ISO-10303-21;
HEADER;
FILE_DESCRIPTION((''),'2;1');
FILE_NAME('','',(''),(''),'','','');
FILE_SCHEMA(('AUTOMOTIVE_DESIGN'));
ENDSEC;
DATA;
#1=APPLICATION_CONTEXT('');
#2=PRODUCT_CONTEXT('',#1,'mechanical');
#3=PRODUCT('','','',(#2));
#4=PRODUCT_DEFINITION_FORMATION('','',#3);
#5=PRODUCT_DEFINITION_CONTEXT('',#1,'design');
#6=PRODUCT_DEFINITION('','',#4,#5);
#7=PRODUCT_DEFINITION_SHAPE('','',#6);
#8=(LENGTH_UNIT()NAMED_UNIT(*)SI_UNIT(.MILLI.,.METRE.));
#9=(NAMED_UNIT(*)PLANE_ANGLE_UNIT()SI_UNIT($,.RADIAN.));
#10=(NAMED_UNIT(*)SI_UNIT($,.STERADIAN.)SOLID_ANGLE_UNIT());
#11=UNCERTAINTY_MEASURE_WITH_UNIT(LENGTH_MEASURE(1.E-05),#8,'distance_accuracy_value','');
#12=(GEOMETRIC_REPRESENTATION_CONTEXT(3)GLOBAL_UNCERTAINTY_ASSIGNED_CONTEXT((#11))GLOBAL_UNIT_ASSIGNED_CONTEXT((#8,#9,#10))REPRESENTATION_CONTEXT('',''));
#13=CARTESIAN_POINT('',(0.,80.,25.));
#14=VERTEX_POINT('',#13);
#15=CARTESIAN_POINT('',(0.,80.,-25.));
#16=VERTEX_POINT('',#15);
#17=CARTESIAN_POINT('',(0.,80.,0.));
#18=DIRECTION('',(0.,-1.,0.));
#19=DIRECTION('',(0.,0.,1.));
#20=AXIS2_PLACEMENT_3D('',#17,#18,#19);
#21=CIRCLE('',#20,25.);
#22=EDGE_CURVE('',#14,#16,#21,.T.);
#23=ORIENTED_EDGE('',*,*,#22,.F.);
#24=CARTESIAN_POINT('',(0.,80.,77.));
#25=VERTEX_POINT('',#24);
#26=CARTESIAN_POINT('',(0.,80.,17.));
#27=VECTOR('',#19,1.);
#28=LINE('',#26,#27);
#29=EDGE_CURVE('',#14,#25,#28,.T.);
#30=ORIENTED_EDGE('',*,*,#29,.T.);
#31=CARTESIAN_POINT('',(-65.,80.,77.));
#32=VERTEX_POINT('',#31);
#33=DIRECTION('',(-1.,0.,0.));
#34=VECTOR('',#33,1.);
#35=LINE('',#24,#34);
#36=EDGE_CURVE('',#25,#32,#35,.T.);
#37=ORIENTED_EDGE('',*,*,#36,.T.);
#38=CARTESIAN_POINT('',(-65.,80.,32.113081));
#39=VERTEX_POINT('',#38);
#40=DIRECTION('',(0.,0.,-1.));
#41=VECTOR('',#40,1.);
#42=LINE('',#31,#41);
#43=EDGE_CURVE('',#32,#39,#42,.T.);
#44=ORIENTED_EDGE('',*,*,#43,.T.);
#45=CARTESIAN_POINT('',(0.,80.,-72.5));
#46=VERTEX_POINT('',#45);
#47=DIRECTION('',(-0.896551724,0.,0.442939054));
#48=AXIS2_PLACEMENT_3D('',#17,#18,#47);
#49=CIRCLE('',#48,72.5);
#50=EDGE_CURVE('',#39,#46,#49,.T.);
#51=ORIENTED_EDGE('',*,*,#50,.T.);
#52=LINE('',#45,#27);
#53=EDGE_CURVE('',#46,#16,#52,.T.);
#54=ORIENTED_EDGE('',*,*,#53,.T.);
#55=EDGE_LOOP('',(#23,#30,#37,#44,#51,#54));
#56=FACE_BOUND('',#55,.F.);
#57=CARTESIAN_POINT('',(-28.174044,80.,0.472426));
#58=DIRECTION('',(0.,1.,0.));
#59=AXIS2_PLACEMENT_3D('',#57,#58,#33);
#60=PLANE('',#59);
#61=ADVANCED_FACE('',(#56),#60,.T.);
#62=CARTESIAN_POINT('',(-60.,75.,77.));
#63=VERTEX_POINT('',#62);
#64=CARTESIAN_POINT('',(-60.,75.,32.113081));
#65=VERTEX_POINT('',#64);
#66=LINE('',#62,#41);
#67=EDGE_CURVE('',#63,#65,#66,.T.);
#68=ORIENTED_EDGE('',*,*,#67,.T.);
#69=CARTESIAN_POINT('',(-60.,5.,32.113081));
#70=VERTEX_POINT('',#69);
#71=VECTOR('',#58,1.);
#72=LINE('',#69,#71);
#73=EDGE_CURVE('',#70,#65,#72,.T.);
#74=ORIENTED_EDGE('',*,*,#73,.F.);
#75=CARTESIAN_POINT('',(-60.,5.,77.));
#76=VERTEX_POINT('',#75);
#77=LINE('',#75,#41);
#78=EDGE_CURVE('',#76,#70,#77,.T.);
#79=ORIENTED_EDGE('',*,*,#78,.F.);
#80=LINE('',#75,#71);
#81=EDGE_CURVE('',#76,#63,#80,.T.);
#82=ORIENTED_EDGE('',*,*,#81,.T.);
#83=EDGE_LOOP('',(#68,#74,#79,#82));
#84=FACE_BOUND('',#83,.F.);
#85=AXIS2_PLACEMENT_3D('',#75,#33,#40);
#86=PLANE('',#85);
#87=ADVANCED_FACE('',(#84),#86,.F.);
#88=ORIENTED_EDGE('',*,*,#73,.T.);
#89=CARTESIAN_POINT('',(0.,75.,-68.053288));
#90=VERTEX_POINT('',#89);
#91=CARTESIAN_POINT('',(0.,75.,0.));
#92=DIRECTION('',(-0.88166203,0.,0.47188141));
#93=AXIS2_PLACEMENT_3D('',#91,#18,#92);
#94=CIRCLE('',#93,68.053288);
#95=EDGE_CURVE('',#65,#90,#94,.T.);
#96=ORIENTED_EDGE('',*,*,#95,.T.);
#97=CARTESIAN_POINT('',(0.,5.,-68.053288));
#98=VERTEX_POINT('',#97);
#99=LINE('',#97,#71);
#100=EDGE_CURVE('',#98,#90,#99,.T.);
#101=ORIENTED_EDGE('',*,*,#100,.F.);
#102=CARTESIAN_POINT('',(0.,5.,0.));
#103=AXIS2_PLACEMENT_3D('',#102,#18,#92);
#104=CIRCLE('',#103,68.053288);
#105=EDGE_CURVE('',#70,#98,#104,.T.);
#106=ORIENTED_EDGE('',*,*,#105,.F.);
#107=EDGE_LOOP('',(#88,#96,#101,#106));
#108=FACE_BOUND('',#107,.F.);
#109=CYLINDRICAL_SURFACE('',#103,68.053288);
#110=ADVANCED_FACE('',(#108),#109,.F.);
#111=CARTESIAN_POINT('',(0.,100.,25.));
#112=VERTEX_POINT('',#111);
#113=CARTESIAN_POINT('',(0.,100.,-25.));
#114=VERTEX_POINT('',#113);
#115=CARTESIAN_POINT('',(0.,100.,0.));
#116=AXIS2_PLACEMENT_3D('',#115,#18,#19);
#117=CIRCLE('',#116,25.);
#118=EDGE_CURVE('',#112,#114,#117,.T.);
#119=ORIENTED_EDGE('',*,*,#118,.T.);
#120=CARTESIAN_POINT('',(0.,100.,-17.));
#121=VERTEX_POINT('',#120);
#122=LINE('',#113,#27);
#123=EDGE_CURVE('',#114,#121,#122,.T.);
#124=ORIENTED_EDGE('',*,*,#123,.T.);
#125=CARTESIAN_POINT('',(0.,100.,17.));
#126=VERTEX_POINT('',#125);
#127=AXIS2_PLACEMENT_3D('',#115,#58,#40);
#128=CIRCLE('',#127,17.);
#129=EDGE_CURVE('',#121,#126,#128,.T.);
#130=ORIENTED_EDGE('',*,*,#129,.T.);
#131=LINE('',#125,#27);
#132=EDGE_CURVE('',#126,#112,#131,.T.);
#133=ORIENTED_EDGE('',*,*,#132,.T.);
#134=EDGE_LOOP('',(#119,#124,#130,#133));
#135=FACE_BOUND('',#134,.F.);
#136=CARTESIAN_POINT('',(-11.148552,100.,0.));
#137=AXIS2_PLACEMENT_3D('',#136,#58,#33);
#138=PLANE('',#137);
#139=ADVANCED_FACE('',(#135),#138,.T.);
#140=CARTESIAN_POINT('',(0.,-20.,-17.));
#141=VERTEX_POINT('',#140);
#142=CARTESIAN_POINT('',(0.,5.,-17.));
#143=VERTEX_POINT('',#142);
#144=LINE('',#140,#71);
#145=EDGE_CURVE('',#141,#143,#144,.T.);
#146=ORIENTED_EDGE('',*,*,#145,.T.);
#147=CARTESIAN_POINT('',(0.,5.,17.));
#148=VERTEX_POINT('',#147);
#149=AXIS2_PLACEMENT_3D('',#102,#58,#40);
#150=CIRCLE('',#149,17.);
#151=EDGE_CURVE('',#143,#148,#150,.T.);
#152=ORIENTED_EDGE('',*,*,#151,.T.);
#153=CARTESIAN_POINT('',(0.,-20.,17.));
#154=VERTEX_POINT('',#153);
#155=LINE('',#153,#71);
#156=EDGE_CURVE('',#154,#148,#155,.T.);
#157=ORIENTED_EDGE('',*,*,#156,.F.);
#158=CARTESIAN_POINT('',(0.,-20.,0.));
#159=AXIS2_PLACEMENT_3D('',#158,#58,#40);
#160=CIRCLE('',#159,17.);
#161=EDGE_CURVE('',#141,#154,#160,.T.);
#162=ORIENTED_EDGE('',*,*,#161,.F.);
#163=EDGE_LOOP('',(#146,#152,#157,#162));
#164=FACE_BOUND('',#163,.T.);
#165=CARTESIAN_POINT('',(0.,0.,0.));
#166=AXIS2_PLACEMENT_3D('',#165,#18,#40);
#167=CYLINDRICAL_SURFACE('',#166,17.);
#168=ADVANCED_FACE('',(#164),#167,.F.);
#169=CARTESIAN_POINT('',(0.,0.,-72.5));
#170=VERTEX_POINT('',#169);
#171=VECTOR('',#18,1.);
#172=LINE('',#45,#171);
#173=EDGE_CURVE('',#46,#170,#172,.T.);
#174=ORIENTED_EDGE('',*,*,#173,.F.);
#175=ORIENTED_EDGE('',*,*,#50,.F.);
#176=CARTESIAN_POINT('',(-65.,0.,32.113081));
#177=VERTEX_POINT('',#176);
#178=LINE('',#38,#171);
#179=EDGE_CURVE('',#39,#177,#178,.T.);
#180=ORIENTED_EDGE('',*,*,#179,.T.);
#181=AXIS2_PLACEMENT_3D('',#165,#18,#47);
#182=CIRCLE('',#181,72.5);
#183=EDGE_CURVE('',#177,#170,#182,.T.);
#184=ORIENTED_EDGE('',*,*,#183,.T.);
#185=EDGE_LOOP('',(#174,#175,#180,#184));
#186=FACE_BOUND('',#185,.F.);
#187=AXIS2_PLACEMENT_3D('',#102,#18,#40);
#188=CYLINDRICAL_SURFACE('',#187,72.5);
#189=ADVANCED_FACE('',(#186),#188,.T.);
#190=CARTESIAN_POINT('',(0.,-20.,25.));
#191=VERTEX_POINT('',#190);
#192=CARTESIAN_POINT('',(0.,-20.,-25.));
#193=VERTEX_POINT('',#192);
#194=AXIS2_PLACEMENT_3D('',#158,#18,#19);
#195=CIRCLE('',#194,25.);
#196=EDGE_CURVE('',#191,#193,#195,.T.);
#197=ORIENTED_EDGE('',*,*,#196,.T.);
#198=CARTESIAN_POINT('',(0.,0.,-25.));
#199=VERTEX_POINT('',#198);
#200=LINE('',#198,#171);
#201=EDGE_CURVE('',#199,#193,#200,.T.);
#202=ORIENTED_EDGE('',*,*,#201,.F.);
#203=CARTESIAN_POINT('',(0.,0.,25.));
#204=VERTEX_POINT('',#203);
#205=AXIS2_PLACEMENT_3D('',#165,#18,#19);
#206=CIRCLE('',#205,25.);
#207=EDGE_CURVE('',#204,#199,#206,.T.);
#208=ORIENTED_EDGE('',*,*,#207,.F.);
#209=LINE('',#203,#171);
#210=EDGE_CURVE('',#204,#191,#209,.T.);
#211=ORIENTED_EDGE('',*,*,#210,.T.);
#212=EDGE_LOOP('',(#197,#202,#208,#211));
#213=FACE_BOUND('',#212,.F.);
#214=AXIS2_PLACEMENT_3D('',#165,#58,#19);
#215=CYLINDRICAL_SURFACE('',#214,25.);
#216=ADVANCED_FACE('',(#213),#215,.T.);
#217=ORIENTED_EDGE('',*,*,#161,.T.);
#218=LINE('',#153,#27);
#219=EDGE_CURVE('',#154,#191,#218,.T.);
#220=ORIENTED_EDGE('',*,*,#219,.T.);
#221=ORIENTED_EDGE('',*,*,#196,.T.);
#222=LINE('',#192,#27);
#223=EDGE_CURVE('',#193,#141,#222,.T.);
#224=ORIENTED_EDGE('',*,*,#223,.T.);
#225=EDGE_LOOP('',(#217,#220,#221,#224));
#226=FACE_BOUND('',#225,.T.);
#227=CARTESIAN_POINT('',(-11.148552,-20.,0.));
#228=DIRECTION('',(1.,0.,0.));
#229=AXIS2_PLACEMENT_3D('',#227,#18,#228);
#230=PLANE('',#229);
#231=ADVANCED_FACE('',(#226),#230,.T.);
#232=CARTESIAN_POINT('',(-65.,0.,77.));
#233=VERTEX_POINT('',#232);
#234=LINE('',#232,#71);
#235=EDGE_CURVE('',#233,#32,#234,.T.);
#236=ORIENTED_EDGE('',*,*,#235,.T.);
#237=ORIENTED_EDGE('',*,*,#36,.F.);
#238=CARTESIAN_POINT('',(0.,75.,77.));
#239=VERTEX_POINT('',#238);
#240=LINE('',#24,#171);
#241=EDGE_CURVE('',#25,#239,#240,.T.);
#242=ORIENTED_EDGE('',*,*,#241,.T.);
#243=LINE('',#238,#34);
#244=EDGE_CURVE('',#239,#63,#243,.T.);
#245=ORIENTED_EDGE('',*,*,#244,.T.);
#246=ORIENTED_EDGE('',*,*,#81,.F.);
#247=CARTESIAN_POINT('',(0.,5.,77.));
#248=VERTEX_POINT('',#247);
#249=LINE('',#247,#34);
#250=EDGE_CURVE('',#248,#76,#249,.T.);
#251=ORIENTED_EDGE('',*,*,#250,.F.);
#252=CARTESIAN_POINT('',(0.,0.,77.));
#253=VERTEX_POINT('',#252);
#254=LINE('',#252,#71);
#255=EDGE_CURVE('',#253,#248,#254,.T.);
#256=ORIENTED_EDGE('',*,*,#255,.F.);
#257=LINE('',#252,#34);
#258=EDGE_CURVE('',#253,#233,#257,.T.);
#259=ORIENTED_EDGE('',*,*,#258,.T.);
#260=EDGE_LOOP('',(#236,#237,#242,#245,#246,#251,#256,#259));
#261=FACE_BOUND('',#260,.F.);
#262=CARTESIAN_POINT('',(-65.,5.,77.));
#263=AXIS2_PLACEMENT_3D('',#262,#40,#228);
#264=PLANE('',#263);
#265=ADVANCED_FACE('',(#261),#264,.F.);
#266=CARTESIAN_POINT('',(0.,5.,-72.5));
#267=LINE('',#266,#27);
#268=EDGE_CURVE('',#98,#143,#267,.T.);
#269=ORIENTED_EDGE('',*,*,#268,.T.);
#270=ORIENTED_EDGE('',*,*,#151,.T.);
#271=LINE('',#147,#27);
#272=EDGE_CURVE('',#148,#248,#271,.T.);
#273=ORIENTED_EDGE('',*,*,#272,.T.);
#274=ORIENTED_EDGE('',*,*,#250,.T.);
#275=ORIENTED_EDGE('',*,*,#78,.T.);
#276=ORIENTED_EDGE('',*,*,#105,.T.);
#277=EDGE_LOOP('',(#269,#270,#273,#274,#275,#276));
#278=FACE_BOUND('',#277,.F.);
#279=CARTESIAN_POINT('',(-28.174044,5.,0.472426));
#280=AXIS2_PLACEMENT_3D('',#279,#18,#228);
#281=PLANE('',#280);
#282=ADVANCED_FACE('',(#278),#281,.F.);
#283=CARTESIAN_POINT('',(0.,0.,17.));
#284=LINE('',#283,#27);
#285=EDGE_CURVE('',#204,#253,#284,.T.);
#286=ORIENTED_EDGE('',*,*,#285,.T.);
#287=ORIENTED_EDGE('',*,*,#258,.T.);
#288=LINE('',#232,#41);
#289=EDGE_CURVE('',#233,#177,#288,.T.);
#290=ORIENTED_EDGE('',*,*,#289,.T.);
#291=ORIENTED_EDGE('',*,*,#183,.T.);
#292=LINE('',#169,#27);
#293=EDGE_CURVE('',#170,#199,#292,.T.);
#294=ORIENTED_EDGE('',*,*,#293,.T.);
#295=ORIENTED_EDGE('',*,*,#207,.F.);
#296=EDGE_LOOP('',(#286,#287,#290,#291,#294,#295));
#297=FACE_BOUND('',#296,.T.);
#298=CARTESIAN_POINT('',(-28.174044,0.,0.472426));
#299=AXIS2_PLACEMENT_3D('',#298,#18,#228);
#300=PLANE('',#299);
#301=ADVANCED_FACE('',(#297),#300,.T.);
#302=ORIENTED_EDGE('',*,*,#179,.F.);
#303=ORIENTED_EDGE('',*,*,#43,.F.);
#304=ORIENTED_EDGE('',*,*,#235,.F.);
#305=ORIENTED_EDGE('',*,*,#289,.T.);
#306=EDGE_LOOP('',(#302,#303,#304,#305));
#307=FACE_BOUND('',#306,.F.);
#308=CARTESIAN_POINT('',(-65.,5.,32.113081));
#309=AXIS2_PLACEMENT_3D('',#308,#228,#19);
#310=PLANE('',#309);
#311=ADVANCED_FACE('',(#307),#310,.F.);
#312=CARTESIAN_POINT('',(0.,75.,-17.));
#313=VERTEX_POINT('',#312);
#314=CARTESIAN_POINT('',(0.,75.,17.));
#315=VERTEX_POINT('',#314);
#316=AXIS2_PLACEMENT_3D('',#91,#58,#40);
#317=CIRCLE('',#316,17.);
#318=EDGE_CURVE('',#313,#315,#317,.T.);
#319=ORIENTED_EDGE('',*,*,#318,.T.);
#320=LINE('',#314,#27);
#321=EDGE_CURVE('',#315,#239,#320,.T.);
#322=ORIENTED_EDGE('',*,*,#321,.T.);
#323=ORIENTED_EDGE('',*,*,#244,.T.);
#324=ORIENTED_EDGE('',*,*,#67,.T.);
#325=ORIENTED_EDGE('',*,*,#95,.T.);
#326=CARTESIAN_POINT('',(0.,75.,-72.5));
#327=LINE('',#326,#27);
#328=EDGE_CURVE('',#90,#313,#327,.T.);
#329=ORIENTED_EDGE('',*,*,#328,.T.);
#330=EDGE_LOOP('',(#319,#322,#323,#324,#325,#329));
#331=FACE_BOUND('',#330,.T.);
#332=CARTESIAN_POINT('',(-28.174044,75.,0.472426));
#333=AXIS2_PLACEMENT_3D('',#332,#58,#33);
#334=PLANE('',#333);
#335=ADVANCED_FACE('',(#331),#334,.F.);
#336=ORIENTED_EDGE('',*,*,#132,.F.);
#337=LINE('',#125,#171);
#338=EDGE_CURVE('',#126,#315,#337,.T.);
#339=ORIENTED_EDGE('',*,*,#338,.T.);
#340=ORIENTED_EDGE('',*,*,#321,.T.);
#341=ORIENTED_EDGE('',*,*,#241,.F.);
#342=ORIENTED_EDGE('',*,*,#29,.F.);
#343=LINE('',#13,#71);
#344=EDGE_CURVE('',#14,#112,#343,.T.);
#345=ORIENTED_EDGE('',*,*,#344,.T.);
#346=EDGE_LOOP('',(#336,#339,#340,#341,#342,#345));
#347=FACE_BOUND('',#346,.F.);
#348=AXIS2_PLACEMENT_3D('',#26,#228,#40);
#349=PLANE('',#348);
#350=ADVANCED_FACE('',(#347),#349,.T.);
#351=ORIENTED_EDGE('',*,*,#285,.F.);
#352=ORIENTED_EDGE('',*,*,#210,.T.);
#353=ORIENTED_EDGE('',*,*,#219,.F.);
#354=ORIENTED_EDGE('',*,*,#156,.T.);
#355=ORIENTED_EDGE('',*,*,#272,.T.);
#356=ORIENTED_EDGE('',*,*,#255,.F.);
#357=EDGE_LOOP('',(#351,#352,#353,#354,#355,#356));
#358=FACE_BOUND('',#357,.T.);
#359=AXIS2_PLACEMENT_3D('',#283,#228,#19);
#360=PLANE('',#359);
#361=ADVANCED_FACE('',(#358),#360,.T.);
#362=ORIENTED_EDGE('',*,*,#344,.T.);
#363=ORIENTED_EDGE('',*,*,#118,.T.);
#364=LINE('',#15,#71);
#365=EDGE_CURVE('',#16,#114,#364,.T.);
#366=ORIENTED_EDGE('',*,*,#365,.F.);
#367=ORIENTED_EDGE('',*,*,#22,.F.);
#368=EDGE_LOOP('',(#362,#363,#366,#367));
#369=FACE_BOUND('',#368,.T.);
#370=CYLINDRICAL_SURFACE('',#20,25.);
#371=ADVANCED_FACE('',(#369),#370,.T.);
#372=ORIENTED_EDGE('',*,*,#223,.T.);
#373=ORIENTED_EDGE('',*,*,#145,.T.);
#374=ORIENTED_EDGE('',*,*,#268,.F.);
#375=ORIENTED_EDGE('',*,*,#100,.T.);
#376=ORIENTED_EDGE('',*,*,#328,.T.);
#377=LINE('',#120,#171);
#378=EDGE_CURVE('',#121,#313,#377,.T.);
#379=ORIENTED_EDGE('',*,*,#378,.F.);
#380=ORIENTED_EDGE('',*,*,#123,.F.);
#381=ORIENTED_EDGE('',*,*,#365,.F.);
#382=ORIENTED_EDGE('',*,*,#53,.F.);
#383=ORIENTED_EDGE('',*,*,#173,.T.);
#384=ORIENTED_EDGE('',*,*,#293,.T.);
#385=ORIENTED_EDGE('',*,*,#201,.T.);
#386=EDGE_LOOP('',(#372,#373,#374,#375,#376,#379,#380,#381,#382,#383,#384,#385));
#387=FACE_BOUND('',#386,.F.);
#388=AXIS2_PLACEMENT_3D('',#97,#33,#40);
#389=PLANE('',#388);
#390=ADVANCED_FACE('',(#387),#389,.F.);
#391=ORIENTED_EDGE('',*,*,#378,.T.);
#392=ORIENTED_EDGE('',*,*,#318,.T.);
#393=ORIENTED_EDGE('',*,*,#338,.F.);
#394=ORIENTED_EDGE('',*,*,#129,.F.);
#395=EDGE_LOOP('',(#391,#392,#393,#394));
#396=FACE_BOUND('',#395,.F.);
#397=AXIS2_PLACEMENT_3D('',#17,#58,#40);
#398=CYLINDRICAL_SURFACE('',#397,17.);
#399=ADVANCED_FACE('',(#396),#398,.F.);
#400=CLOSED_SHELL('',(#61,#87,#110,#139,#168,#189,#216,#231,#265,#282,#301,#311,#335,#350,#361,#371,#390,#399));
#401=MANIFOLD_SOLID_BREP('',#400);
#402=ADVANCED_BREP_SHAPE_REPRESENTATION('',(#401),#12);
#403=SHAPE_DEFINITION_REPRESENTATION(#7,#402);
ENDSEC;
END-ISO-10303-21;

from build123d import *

# Parameters (mm, degrees)
F1_DEPTH = 20
F3_DEPTH = 5
F7_DEPTH = 70


with BuildPart() as f1:
    # F0 (on Front) → F1 (new body)
    with BuildSketch(Plane.XZ):
        with BuildLine():
            ThreePointArc((0, -17), (-17, 0), (0, 17))
            Line((0, 17), (0, 25))
            ThreePointArc((0, 25), (-25, 0), (0, -25))
            Line((0, -25), (0, -17))
        make_face()
    extrude(amount=F1_DEPTH)

    # F2 (on Front) → F3 (join)
    with BuildSketch(Plane.XZ):
        with BuildLine():
            Line((0, 25), (0, 72.5))
            ThreePointArc((0, 72.5), (-38.2625900529, 61.5810376857), (-65, 32.1130814467))
            ThreePointArc((-65, 32.1130814467), (-61.5810376857, -38.2625900529), (0, -72.5))
            Line((0, -72.5), (0, -25))
            ThreePointArc((0, -25), (-25, 0), (0, 25))
        make_face()
        with BuildLine():
            ThreePointArc((-65, 32.1130814467), (-38.2625900529, 61.5810376857), (0, 72.5))
            Line((0, 72.5), (0, 77))
            Line((0, 77), (-65, 77))
            Line((-65, 77), (-65, 32.1130814467))
        make_face()
        with BuildLine():
            Line((0, 17), (0, 25))
            ThreePointArc((0, 25), (-25, 0), (0, -25))
            Line((0, -25), (0, -17))
            ThreePointArc((0, -17), (-17, 0), (0, 17))
        make_face()
    extrude(amount=-F3_DEPTH)


with BuildPart() as f5_1:
    # F5: instance of F1
    add(f1.part.mirror(Plane.XZ.offset(-40)))


with BuildPart() as f1_1:
    add(f1.part)

    add(f5_1.part)  # F7 merges F5_1
    # F6 (on face) → F7 (join, through all)
    with BuildSketch(Plane(origin=(0, 5, 0), x_dir=(-1, 0, 0), z_dir=(0, 1, 0))):
        with BuildLine():
            Line((65, 32.1130814467), (65, 77))
            Line((65, 77), (60, 77))
            Line((60, 77), (60, 32.1130814467))
            ThreePointArc((60, 32.1130814467), (58.3808649236, -34.9703390142), (0, -68.0532879441))
            Line((0, -68.0532879441), (0, -72.5))
            ThreePointArc((0, -72.5), (61.5810376857, -38.2625900529), (65, 32.1130814467))
        make_face()
    extrude(amount=F7_DEPTH)


solid = f1_1.part
